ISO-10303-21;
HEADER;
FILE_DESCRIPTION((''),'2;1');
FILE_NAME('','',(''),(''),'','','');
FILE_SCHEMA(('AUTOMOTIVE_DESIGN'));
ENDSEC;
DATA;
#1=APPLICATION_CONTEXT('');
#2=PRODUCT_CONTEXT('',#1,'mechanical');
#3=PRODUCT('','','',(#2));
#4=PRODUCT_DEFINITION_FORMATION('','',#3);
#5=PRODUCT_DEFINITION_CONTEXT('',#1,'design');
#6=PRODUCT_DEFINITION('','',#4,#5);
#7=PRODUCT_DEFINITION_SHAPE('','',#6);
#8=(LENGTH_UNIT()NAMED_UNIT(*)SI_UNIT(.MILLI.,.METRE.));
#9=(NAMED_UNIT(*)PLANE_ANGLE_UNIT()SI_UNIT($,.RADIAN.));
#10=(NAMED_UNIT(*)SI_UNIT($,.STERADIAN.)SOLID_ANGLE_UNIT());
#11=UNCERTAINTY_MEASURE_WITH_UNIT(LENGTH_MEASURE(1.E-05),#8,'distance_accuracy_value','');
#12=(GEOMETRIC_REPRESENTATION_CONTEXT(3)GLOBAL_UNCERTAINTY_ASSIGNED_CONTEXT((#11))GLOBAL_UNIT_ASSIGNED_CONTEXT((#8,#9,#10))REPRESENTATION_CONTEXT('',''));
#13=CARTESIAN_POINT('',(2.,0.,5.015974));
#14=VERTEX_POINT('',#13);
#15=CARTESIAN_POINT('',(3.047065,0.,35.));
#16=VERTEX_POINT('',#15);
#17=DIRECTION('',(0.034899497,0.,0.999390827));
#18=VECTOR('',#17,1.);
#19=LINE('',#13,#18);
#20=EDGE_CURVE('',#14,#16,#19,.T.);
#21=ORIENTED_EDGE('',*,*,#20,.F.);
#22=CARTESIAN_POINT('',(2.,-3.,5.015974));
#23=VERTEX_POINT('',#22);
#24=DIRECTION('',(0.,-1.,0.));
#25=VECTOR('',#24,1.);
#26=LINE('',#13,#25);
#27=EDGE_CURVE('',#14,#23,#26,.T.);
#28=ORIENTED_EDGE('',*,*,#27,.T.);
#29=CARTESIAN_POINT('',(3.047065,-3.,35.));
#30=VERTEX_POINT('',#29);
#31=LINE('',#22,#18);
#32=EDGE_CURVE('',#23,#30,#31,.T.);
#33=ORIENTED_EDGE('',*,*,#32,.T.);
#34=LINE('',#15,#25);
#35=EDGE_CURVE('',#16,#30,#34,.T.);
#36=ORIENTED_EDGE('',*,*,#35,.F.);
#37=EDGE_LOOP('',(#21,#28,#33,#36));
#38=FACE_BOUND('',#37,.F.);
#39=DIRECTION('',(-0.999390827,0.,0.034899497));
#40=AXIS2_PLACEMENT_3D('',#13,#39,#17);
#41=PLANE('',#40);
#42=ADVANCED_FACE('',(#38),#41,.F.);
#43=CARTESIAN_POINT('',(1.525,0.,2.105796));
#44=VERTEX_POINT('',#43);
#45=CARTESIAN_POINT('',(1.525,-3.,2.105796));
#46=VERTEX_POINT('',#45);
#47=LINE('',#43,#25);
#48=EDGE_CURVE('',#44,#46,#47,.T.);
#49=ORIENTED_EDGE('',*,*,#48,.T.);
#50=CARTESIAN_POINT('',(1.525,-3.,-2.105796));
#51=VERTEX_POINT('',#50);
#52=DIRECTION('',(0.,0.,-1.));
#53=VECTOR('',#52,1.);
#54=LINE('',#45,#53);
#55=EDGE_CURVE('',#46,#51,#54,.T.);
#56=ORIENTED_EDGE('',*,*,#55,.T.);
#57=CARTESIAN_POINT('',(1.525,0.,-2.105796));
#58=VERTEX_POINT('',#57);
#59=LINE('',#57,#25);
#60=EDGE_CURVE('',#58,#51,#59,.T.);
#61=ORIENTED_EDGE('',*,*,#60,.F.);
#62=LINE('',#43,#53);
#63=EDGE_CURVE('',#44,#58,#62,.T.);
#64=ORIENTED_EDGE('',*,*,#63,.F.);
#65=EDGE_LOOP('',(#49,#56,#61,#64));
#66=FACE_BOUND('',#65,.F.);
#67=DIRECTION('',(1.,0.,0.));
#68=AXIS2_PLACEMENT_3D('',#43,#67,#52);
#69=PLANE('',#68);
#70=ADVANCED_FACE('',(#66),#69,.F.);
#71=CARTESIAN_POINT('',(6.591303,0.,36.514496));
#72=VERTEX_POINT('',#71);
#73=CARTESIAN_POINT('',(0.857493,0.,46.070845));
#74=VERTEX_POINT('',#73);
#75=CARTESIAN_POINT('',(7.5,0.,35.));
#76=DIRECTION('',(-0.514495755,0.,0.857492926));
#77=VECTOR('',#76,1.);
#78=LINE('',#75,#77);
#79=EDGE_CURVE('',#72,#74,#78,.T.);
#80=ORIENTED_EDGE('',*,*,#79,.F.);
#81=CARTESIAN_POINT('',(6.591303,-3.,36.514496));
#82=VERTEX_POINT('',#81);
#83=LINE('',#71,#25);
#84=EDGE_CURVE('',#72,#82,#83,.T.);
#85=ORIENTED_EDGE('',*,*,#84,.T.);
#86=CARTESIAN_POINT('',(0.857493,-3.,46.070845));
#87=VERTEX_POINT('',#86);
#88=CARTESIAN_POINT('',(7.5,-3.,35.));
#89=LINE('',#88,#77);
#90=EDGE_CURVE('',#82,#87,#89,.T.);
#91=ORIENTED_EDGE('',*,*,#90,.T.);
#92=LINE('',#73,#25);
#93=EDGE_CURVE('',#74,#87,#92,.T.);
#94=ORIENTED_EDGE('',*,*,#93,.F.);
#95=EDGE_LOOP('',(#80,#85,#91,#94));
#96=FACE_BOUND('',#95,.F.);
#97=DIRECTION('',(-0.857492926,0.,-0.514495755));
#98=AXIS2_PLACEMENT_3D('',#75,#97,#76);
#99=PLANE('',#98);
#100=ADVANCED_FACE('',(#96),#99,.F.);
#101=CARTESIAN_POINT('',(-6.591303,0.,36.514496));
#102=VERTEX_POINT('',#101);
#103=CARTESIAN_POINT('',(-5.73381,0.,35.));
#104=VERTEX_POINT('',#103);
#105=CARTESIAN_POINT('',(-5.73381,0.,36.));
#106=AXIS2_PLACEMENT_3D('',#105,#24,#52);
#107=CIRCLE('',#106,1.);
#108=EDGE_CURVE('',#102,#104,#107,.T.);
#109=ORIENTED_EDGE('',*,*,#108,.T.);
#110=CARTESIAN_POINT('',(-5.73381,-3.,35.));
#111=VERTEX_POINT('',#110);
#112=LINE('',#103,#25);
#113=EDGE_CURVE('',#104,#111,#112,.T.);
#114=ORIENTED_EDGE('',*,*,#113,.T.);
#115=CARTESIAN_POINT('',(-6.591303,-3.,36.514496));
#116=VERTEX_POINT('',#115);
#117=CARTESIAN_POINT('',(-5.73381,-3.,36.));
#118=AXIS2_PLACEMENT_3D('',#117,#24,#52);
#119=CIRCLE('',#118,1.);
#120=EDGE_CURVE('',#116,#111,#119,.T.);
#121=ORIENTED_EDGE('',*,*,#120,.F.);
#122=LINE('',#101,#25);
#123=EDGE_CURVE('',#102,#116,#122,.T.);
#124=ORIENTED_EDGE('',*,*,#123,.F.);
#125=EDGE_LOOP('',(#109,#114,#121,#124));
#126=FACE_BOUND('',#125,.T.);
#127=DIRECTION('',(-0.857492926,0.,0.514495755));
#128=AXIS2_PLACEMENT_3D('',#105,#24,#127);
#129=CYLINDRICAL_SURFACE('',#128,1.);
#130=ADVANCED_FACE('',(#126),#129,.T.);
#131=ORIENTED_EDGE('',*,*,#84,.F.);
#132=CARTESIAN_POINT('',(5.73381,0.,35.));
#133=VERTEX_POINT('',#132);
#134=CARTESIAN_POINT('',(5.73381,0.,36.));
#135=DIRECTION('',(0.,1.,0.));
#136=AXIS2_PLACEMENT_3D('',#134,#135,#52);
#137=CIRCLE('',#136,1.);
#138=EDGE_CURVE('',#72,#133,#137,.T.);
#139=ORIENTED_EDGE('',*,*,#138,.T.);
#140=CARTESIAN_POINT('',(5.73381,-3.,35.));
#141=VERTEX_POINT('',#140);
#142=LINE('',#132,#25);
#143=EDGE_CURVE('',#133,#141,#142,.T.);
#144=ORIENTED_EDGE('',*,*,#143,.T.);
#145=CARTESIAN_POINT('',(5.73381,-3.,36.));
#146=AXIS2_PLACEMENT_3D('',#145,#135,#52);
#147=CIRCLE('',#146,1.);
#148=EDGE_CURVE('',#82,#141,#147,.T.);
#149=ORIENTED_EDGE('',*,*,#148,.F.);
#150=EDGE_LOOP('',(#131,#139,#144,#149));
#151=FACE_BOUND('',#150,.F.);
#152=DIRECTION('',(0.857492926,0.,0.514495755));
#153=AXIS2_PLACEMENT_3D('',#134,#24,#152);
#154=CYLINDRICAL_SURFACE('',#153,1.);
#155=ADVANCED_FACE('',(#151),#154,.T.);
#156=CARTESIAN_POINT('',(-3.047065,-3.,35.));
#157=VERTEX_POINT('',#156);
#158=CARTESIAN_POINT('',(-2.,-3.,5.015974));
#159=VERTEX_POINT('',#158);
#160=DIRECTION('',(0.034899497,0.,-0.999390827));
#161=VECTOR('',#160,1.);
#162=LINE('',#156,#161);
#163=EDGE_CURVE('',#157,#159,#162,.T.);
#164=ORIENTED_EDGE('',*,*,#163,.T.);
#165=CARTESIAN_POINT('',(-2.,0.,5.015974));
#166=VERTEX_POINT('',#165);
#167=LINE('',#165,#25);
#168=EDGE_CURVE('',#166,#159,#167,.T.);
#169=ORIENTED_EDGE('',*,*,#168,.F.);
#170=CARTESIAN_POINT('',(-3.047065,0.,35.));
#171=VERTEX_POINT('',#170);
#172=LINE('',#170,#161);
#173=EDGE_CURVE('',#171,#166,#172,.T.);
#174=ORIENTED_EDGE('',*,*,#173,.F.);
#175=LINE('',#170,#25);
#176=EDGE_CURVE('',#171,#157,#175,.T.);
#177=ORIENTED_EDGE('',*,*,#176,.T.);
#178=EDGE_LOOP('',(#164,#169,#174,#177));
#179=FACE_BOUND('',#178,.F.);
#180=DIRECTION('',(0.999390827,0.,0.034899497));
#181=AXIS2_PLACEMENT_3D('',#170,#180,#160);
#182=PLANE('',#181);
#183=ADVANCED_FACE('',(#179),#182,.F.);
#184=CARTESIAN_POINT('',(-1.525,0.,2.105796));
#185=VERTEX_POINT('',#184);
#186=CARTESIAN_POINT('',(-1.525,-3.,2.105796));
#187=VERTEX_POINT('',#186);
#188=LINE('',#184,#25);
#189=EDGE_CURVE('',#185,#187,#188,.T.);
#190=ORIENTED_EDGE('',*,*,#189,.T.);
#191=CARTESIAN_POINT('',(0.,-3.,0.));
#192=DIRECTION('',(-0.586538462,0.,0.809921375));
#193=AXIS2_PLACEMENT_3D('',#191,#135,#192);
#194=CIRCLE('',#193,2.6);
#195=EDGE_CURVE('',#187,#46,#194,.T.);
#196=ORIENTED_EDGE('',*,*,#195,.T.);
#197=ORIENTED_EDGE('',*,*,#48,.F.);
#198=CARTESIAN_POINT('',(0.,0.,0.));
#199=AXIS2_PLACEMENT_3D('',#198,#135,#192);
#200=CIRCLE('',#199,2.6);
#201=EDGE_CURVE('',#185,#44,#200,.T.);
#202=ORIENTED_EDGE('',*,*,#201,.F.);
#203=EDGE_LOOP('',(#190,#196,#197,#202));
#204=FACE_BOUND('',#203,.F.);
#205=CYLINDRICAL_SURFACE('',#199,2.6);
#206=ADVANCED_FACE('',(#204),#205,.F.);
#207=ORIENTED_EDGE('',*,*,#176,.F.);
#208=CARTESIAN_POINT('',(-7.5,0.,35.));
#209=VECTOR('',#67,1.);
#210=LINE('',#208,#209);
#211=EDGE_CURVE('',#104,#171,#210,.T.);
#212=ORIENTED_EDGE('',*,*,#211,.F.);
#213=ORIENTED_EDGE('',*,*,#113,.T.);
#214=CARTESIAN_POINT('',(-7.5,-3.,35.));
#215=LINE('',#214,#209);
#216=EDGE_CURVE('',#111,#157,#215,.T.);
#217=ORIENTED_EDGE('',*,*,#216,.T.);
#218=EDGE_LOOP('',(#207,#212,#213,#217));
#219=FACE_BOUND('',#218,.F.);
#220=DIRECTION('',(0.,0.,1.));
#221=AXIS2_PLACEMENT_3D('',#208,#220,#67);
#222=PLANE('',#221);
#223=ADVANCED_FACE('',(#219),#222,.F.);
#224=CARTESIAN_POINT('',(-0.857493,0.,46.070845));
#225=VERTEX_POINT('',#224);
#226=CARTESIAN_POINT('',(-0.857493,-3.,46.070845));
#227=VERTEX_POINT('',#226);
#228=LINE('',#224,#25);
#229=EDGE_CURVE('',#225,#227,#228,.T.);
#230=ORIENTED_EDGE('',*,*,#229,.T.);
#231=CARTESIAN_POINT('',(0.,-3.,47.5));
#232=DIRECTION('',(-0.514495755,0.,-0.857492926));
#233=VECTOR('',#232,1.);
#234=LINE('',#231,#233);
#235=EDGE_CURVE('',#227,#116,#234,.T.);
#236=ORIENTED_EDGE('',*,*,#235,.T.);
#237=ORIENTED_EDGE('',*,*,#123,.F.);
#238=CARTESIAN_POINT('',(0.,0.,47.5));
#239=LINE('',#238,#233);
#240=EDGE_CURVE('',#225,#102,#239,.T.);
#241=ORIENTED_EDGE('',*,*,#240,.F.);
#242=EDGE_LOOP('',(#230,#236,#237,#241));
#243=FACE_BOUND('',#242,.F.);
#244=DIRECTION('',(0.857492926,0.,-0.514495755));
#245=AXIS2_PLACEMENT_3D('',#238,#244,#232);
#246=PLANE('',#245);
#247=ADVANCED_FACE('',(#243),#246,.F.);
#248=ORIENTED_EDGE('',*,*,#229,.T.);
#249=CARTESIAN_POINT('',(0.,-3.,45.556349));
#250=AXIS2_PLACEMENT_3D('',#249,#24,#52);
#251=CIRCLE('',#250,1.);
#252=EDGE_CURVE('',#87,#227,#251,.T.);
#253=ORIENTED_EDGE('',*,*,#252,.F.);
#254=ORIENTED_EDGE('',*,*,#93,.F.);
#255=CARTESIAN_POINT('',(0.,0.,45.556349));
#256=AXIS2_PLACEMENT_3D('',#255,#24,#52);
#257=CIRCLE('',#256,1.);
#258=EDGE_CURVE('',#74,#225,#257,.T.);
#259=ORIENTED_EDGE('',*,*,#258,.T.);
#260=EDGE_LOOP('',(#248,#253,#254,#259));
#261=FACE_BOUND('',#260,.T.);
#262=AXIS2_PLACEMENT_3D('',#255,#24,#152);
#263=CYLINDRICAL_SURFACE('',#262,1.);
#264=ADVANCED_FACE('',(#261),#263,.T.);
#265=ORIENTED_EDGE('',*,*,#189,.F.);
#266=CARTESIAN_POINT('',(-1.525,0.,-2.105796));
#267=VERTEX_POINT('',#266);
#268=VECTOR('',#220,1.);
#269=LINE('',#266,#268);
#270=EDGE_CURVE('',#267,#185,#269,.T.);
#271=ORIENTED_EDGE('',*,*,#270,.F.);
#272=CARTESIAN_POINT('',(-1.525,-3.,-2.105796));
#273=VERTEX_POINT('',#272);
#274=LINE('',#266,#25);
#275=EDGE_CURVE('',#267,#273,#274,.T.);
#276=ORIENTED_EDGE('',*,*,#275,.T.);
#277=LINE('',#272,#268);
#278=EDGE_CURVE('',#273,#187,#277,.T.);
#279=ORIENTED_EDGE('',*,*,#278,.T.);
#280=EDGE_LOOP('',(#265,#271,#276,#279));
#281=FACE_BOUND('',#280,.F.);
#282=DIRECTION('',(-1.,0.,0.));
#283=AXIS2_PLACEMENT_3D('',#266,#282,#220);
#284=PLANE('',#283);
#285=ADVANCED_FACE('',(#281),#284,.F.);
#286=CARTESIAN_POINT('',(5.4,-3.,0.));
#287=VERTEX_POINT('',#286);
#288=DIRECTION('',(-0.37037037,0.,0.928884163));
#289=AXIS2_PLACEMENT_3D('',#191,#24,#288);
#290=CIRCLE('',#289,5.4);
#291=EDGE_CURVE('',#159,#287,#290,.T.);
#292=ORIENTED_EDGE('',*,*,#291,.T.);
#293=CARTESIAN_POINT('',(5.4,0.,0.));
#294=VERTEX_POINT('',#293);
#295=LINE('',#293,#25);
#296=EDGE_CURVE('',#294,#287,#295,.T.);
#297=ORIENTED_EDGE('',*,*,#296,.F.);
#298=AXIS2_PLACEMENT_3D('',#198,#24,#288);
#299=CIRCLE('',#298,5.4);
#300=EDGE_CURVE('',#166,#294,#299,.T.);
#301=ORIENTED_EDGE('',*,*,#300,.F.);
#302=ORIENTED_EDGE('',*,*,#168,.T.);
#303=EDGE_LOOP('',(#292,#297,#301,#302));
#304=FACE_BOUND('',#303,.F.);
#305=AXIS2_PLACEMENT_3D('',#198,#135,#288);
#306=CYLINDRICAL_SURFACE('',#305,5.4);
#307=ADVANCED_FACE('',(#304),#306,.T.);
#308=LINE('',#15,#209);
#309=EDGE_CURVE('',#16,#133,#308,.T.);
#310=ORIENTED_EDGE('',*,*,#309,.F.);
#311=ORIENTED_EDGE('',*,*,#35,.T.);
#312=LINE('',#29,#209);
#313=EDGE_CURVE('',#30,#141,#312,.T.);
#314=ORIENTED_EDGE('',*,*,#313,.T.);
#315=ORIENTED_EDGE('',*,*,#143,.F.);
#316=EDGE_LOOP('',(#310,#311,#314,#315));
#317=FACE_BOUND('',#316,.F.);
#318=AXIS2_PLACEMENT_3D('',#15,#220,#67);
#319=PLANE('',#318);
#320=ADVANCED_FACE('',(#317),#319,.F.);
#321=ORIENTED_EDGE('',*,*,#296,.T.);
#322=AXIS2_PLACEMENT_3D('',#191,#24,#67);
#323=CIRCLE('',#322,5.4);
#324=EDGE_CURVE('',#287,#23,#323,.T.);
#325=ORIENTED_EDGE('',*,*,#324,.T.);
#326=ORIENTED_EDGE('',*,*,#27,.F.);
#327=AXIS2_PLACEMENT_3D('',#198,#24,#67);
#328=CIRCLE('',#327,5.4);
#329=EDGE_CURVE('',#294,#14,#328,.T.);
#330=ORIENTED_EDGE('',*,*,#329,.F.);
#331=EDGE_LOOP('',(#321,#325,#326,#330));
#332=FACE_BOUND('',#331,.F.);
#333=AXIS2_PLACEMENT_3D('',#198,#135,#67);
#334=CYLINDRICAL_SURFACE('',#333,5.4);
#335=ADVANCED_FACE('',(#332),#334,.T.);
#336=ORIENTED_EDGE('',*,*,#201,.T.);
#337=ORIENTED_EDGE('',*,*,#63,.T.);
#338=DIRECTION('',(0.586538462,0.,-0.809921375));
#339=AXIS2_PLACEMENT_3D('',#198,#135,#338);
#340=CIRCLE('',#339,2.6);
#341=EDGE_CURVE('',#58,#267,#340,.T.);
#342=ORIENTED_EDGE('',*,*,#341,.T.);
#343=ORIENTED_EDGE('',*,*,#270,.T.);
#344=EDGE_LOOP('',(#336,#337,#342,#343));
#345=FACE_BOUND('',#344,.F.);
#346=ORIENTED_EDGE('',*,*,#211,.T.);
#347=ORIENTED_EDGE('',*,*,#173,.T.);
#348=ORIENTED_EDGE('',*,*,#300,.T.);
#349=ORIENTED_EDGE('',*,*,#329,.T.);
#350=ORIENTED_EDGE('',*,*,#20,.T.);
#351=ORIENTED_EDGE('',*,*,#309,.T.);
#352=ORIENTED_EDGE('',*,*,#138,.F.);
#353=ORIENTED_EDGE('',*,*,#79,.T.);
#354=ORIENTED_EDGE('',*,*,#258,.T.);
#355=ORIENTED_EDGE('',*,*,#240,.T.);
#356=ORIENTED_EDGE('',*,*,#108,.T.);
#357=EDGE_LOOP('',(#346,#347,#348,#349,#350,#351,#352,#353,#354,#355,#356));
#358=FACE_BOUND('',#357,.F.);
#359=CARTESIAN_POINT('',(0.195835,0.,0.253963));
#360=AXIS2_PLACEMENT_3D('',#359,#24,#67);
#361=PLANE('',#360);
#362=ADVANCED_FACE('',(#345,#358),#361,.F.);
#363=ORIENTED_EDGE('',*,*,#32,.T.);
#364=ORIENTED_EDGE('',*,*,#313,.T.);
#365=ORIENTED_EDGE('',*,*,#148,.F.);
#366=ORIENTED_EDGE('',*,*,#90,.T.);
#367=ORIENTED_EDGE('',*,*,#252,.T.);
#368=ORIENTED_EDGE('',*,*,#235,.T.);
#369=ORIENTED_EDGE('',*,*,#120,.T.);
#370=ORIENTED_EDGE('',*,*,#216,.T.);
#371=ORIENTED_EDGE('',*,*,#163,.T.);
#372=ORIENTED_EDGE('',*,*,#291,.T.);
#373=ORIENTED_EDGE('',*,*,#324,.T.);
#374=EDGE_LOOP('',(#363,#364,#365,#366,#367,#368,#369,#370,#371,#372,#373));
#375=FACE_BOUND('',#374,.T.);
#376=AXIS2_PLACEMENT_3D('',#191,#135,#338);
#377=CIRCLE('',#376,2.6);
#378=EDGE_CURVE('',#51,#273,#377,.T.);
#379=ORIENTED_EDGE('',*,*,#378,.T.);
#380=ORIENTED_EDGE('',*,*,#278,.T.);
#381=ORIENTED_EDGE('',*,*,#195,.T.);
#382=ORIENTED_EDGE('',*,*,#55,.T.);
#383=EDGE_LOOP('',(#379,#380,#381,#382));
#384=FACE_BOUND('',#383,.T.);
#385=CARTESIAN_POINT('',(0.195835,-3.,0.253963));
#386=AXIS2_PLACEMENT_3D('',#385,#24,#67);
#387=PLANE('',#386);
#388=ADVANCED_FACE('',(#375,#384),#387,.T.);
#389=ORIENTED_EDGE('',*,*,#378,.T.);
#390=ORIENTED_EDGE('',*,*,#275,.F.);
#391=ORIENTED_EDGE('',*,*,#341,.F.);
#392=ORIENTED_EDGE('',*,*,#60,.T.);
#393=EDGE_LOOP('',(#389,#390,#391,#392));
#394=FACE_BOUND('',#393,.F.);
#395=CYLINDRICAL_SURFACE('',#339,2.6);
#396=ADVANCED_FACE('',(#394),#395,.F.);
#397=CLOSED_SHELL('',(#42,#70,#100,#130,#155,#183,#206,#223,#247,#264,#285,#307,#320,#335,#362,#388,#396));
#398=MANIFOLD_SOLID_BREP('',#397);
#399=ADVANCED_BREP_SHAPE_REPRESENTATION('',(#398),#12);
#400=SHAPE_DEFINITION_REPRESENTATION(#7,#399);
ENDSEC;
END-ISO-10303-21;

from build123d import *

# Parameters (mm, degrees)
F1_DEPTH = 3
F2_R     = 1
F3_R     = 1
F4_R     = 1


with BuildPart() as f1:
    # F0 (on Front) → F1 (new body)
    with BuildSketch(Plane.XZ):
        with BuildLine():
            ThreePointArc((-2, 5.0159744816), (-3.0298514815, -4.4698993277), (5.4, 0))
            ThreePointArc((5.4, 0), (4.4698993277, 3.0298514815), (2, 5.0159744816))
            Line((2, 5.0159744816), (0, 5.0159744816))
            Line((0, 5.0159744816), (-2, 5.0159744816))
        make_face()
        with BuildLine():
            ThreePointArc((1.525, 2.1057955741), (2.3157072354, 1.1821590418), (2.6, 0))
            ThreePointArc((2.6, 0), (2.3157072354, -1.1821590418), (1.525, -2.1057955741))
            ThreePointArc((1.525, -2.1057955741), (0, -2.6), (-1.525, -2.1057955741))
            ThreePointArc((-1.525, -2.1057955741), (-2.6, 0), (-1.525, 2.1057955741))
            ThreePointArc((-1.525, 2.1057955741), (0, 2.6), (1.525, 2.1057955741))
        make_face(mode=Mode.SUBTRACT)
        with BuildLine():
            Line((0, 5.0159744816), (2, 5.0159744816))
            ThreePointArc((2, 5.0159744816), (0, 5.4), (-2, 5.0159744816))
            Line((-2, 5.0159744816), (0, 5.0159744816))
        make_face()
        with BuildLine():
            ThreePointArc((-2, 5.0159744816), (0, 5.4), (2, 5.0159744816))
            Line((2, 5.0159744816), (3.0470652436, 35))
            Line((3.0470652436, 35), (0, 35))
            Line((0, 35), (-3.0470652436, 35))
            Line((-3.0470652436, 35), (-2, 5.0159744816))
        make_face()
        Polygon((0, 35), (3.0470652436, 35), (7.5, 35), (0, 47.5), (-7.5, 35), (-3.0470652436, 35), align=None)
        with BuildLine():
            ThreePointArc((1.525, -2.1057955741), (2.3157072354, -1.1821590418), (2.6, 0))
            ThreePointArc((2.6, 0), (2.3157072354, 1.1821590418), (1.525, 2.1057955741))
            Line((1.525, 2.1057955741), (1.525, -2.1057955741))
        make_face()
        with BuildLine():
            Line((-1.525, -2.1057955741), (-1.525, 2.1057955741))
            ThreePointArc((-1.525, 2.1057955741), (-2.6, 0), (-1.525, -2.1057955741))
        make_face()
    extrude(amount=F1_DEPTH)

    # F2
    f2_edges = [f1.edges().sort_by_distance(p)[0] for p in [
        (0, -1.5, 47.5),
    ]]
    fillet(f2_edges, radius=F2_R)

    # F3
    f3_edges = [f1.edges().sort_by_distance(p)[0] for p in [
        (-7.5, -1.5, 35),
    ]]
    fillet(f3_edges, radius=F3_R)

    # F4
    f4_edges = [f1.edges().sort_by_distance(p)[0] for p in [
        (7.5, -1.5, 35),
    ]]
    fillet(f4_edges, radius=F4_R)


solid = f1.part
